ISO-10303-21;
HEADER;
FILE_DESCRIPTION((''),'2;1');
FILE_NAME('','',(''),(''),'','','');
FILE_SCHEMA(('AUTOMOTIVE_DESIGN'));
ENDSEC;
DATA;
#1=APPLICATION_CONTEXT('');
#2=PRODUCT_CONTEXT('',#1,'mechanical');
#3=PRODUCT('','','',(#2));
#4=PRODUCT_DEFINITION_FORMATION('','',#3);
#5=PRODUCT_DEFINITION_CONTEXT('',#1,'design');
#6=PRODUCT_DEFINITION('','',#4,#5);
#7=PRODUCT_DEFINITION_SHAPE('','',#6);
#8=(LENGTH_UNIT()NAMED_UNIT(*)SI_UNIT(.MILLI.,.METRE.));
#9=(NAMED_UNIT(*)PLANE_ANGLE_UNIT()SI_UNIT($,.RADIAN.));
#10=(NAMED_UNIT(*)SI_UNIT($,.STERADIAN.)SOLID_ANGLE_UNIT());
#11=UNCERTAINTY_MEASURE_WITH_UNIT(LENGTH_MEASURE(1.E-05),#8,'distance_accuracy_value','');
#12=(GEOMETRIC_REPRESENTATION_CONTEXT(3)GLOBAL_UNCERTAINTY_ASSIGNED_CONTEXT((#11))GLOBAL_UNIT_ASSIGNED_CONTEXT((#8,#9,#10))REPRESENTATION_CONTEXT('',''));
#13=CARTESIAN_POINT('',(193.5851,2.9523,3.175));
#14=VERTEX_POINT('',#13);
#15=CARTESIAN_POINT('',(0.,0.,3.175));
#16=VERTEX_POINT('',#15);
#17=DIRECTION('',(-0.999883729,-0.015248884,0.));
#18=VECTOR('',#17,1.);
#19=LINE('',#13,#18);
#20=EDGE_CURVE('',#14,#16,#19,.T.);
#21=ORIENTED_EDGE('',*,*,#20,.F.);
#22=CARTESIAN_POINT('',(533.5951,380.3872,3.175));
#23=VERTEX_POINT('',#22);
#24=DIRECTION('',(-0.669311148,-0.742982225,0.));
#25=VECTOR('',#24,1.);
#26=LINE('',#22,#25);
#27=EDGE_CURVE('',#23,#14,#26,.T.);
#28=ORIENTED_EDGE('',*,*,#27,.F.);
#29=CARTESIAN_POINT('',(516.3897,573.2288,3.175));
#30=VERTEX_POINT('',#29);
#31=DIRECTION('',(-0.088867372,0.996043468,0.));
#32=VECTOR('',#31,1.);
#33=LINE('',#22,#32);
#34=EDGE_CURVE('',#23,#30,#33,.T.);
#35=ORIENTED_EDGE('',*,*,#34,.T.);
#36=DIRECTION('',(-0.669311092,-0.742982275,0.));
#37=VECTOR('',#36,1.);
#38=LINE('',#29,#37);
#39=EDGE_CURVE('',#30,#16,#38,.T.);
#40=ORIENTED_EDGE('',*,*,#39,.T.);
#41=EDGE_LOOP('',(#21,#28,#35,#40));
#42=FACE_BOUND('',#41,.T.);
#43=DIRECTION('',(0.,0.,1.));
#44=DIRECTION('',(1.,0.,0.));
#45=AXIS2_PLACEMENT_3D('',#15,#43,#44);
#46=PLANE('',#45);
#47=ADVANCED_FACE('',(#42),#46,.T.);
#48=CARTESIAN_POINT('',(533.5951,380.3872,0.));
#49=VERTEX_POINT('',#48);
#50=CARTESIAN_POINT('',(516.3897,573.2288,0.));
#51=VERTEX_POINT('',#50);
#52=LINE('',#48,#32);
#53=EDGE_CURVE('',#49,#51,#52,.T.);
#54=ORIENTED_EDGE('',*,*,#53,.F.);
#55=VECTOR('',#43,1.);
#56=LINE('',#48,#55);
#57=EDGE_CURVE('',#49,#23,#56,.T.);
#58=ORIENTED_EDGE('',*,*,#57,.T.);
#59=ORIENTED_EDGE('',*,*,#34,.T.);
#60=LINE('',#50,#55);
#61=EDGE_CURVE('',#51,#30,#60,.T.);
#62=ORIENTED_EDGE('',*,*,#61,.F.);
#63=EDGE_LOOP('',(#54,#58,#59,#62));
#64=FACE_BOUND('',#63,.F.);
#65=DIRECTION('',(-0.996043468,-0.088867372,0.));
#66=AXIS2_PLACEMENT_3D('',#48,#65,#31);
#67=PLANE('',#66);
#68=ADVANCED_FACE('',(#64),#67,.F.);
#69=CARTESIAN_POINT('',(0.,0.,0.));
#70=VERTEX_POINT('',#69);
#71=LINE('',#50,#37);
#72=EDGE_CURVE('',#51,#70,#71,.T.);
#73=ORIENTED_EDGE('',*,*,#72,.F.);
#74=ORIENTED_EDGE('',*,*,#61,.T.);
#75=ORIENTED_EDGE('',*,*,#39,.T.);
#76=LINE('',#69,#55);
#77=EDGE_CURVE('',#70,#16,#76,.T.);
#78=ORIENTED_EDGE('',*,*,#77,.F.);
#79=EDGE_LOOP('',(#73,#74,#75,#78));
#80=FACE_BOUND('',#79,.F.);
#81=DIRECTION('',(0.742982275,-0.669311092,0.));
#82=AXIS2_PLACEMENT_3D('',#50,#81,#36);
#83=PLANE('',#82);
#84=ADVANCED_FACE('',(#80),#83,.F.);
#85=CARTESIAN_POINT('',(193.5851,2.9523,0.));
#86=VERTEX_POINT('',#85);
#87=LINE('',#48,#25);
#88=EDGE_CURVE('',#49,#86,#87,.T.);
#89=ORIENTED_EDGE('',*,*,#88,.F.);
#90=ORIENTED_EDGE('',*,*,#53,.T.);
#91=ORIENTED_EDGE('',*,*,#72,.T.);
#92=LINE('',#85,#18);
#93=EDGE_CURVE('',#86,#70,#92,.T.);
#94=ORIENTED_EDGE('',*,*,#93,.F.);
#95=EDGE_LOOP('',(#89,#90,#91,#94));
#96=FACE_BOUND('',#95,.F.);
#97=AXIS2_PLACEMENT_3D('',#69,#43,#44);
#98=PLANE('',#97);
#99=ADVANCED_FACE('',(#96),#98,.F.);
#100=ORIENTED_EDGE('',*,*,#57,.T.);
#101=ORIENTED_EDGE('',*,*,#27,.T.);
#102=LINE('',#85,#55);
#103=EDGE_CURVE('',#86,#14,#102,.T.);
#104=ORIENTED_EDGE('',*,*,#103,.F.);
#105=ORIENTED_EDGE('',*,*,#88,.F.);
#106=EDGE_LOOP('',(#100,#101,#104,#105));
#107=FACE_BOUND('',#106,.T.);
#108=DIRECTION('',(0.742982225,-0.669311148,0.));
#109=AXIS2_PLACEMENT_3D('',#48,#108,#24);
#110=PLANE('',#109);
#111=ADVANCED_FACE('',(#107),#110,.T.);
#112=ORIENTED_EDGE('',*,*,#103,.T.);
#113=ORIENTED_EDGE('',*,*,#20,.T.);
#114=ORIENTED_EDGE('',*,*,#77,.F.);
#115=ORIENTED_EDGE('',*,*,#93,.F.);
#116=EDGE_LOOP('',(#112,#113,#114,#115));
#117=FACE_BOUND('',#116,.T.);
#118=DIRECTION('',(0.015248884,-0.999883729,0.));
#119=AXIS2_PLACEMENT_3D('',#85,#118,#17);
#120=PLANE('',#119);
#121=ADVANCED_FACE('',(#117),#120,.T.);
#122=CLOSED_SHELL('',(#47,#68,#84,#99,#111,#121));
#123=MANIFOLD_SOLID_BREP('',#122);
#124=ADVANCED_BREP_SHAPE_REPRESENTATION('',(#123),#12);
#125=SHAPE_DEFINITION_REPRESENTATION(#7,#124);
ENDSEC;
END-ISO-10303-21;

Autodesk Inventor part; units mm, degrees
ref_plane "YZ Plane" through (0, 0, 0) normal (1, 0, 0) x (0, 1, 0)
ref_plane "XZ Plane" through (0, 0, 0) normal (0, 1, 0) x (-1, 0, 0)
ref_plane "XY Plane" through (0, 0, 0) normal (0, 0, 1) x (1, 0, 0)
sketch "Sketch1" plane through (0, 0, 0) normal (0, 0, 1) x (1, 0, 0)
  line L0 (193.5851, 2.9523) -> (0, 0)
  line L1 (533.5951, 380.3872) -> (193.5851, 2.9523)
  line L2 (533.5951, 380.3872) -> (516.3897, 573.2288)
  line L3 (0, 0) -> (193.5851, 2.9523)
  line L4 (193.5851, 2.9523) -> (533.5951, 380.3872)
  line L5 (533.5951, 380.3872) -> (516.3897, 573.2288)
  line L6 (516.3897, 573.2288) -> (0, 0)
  point P0 (0, 0)
extrude "Extrusion1" add sketch "Sketch1" along normal blind 3.175
properties part number "End Polycarbonate 125"
